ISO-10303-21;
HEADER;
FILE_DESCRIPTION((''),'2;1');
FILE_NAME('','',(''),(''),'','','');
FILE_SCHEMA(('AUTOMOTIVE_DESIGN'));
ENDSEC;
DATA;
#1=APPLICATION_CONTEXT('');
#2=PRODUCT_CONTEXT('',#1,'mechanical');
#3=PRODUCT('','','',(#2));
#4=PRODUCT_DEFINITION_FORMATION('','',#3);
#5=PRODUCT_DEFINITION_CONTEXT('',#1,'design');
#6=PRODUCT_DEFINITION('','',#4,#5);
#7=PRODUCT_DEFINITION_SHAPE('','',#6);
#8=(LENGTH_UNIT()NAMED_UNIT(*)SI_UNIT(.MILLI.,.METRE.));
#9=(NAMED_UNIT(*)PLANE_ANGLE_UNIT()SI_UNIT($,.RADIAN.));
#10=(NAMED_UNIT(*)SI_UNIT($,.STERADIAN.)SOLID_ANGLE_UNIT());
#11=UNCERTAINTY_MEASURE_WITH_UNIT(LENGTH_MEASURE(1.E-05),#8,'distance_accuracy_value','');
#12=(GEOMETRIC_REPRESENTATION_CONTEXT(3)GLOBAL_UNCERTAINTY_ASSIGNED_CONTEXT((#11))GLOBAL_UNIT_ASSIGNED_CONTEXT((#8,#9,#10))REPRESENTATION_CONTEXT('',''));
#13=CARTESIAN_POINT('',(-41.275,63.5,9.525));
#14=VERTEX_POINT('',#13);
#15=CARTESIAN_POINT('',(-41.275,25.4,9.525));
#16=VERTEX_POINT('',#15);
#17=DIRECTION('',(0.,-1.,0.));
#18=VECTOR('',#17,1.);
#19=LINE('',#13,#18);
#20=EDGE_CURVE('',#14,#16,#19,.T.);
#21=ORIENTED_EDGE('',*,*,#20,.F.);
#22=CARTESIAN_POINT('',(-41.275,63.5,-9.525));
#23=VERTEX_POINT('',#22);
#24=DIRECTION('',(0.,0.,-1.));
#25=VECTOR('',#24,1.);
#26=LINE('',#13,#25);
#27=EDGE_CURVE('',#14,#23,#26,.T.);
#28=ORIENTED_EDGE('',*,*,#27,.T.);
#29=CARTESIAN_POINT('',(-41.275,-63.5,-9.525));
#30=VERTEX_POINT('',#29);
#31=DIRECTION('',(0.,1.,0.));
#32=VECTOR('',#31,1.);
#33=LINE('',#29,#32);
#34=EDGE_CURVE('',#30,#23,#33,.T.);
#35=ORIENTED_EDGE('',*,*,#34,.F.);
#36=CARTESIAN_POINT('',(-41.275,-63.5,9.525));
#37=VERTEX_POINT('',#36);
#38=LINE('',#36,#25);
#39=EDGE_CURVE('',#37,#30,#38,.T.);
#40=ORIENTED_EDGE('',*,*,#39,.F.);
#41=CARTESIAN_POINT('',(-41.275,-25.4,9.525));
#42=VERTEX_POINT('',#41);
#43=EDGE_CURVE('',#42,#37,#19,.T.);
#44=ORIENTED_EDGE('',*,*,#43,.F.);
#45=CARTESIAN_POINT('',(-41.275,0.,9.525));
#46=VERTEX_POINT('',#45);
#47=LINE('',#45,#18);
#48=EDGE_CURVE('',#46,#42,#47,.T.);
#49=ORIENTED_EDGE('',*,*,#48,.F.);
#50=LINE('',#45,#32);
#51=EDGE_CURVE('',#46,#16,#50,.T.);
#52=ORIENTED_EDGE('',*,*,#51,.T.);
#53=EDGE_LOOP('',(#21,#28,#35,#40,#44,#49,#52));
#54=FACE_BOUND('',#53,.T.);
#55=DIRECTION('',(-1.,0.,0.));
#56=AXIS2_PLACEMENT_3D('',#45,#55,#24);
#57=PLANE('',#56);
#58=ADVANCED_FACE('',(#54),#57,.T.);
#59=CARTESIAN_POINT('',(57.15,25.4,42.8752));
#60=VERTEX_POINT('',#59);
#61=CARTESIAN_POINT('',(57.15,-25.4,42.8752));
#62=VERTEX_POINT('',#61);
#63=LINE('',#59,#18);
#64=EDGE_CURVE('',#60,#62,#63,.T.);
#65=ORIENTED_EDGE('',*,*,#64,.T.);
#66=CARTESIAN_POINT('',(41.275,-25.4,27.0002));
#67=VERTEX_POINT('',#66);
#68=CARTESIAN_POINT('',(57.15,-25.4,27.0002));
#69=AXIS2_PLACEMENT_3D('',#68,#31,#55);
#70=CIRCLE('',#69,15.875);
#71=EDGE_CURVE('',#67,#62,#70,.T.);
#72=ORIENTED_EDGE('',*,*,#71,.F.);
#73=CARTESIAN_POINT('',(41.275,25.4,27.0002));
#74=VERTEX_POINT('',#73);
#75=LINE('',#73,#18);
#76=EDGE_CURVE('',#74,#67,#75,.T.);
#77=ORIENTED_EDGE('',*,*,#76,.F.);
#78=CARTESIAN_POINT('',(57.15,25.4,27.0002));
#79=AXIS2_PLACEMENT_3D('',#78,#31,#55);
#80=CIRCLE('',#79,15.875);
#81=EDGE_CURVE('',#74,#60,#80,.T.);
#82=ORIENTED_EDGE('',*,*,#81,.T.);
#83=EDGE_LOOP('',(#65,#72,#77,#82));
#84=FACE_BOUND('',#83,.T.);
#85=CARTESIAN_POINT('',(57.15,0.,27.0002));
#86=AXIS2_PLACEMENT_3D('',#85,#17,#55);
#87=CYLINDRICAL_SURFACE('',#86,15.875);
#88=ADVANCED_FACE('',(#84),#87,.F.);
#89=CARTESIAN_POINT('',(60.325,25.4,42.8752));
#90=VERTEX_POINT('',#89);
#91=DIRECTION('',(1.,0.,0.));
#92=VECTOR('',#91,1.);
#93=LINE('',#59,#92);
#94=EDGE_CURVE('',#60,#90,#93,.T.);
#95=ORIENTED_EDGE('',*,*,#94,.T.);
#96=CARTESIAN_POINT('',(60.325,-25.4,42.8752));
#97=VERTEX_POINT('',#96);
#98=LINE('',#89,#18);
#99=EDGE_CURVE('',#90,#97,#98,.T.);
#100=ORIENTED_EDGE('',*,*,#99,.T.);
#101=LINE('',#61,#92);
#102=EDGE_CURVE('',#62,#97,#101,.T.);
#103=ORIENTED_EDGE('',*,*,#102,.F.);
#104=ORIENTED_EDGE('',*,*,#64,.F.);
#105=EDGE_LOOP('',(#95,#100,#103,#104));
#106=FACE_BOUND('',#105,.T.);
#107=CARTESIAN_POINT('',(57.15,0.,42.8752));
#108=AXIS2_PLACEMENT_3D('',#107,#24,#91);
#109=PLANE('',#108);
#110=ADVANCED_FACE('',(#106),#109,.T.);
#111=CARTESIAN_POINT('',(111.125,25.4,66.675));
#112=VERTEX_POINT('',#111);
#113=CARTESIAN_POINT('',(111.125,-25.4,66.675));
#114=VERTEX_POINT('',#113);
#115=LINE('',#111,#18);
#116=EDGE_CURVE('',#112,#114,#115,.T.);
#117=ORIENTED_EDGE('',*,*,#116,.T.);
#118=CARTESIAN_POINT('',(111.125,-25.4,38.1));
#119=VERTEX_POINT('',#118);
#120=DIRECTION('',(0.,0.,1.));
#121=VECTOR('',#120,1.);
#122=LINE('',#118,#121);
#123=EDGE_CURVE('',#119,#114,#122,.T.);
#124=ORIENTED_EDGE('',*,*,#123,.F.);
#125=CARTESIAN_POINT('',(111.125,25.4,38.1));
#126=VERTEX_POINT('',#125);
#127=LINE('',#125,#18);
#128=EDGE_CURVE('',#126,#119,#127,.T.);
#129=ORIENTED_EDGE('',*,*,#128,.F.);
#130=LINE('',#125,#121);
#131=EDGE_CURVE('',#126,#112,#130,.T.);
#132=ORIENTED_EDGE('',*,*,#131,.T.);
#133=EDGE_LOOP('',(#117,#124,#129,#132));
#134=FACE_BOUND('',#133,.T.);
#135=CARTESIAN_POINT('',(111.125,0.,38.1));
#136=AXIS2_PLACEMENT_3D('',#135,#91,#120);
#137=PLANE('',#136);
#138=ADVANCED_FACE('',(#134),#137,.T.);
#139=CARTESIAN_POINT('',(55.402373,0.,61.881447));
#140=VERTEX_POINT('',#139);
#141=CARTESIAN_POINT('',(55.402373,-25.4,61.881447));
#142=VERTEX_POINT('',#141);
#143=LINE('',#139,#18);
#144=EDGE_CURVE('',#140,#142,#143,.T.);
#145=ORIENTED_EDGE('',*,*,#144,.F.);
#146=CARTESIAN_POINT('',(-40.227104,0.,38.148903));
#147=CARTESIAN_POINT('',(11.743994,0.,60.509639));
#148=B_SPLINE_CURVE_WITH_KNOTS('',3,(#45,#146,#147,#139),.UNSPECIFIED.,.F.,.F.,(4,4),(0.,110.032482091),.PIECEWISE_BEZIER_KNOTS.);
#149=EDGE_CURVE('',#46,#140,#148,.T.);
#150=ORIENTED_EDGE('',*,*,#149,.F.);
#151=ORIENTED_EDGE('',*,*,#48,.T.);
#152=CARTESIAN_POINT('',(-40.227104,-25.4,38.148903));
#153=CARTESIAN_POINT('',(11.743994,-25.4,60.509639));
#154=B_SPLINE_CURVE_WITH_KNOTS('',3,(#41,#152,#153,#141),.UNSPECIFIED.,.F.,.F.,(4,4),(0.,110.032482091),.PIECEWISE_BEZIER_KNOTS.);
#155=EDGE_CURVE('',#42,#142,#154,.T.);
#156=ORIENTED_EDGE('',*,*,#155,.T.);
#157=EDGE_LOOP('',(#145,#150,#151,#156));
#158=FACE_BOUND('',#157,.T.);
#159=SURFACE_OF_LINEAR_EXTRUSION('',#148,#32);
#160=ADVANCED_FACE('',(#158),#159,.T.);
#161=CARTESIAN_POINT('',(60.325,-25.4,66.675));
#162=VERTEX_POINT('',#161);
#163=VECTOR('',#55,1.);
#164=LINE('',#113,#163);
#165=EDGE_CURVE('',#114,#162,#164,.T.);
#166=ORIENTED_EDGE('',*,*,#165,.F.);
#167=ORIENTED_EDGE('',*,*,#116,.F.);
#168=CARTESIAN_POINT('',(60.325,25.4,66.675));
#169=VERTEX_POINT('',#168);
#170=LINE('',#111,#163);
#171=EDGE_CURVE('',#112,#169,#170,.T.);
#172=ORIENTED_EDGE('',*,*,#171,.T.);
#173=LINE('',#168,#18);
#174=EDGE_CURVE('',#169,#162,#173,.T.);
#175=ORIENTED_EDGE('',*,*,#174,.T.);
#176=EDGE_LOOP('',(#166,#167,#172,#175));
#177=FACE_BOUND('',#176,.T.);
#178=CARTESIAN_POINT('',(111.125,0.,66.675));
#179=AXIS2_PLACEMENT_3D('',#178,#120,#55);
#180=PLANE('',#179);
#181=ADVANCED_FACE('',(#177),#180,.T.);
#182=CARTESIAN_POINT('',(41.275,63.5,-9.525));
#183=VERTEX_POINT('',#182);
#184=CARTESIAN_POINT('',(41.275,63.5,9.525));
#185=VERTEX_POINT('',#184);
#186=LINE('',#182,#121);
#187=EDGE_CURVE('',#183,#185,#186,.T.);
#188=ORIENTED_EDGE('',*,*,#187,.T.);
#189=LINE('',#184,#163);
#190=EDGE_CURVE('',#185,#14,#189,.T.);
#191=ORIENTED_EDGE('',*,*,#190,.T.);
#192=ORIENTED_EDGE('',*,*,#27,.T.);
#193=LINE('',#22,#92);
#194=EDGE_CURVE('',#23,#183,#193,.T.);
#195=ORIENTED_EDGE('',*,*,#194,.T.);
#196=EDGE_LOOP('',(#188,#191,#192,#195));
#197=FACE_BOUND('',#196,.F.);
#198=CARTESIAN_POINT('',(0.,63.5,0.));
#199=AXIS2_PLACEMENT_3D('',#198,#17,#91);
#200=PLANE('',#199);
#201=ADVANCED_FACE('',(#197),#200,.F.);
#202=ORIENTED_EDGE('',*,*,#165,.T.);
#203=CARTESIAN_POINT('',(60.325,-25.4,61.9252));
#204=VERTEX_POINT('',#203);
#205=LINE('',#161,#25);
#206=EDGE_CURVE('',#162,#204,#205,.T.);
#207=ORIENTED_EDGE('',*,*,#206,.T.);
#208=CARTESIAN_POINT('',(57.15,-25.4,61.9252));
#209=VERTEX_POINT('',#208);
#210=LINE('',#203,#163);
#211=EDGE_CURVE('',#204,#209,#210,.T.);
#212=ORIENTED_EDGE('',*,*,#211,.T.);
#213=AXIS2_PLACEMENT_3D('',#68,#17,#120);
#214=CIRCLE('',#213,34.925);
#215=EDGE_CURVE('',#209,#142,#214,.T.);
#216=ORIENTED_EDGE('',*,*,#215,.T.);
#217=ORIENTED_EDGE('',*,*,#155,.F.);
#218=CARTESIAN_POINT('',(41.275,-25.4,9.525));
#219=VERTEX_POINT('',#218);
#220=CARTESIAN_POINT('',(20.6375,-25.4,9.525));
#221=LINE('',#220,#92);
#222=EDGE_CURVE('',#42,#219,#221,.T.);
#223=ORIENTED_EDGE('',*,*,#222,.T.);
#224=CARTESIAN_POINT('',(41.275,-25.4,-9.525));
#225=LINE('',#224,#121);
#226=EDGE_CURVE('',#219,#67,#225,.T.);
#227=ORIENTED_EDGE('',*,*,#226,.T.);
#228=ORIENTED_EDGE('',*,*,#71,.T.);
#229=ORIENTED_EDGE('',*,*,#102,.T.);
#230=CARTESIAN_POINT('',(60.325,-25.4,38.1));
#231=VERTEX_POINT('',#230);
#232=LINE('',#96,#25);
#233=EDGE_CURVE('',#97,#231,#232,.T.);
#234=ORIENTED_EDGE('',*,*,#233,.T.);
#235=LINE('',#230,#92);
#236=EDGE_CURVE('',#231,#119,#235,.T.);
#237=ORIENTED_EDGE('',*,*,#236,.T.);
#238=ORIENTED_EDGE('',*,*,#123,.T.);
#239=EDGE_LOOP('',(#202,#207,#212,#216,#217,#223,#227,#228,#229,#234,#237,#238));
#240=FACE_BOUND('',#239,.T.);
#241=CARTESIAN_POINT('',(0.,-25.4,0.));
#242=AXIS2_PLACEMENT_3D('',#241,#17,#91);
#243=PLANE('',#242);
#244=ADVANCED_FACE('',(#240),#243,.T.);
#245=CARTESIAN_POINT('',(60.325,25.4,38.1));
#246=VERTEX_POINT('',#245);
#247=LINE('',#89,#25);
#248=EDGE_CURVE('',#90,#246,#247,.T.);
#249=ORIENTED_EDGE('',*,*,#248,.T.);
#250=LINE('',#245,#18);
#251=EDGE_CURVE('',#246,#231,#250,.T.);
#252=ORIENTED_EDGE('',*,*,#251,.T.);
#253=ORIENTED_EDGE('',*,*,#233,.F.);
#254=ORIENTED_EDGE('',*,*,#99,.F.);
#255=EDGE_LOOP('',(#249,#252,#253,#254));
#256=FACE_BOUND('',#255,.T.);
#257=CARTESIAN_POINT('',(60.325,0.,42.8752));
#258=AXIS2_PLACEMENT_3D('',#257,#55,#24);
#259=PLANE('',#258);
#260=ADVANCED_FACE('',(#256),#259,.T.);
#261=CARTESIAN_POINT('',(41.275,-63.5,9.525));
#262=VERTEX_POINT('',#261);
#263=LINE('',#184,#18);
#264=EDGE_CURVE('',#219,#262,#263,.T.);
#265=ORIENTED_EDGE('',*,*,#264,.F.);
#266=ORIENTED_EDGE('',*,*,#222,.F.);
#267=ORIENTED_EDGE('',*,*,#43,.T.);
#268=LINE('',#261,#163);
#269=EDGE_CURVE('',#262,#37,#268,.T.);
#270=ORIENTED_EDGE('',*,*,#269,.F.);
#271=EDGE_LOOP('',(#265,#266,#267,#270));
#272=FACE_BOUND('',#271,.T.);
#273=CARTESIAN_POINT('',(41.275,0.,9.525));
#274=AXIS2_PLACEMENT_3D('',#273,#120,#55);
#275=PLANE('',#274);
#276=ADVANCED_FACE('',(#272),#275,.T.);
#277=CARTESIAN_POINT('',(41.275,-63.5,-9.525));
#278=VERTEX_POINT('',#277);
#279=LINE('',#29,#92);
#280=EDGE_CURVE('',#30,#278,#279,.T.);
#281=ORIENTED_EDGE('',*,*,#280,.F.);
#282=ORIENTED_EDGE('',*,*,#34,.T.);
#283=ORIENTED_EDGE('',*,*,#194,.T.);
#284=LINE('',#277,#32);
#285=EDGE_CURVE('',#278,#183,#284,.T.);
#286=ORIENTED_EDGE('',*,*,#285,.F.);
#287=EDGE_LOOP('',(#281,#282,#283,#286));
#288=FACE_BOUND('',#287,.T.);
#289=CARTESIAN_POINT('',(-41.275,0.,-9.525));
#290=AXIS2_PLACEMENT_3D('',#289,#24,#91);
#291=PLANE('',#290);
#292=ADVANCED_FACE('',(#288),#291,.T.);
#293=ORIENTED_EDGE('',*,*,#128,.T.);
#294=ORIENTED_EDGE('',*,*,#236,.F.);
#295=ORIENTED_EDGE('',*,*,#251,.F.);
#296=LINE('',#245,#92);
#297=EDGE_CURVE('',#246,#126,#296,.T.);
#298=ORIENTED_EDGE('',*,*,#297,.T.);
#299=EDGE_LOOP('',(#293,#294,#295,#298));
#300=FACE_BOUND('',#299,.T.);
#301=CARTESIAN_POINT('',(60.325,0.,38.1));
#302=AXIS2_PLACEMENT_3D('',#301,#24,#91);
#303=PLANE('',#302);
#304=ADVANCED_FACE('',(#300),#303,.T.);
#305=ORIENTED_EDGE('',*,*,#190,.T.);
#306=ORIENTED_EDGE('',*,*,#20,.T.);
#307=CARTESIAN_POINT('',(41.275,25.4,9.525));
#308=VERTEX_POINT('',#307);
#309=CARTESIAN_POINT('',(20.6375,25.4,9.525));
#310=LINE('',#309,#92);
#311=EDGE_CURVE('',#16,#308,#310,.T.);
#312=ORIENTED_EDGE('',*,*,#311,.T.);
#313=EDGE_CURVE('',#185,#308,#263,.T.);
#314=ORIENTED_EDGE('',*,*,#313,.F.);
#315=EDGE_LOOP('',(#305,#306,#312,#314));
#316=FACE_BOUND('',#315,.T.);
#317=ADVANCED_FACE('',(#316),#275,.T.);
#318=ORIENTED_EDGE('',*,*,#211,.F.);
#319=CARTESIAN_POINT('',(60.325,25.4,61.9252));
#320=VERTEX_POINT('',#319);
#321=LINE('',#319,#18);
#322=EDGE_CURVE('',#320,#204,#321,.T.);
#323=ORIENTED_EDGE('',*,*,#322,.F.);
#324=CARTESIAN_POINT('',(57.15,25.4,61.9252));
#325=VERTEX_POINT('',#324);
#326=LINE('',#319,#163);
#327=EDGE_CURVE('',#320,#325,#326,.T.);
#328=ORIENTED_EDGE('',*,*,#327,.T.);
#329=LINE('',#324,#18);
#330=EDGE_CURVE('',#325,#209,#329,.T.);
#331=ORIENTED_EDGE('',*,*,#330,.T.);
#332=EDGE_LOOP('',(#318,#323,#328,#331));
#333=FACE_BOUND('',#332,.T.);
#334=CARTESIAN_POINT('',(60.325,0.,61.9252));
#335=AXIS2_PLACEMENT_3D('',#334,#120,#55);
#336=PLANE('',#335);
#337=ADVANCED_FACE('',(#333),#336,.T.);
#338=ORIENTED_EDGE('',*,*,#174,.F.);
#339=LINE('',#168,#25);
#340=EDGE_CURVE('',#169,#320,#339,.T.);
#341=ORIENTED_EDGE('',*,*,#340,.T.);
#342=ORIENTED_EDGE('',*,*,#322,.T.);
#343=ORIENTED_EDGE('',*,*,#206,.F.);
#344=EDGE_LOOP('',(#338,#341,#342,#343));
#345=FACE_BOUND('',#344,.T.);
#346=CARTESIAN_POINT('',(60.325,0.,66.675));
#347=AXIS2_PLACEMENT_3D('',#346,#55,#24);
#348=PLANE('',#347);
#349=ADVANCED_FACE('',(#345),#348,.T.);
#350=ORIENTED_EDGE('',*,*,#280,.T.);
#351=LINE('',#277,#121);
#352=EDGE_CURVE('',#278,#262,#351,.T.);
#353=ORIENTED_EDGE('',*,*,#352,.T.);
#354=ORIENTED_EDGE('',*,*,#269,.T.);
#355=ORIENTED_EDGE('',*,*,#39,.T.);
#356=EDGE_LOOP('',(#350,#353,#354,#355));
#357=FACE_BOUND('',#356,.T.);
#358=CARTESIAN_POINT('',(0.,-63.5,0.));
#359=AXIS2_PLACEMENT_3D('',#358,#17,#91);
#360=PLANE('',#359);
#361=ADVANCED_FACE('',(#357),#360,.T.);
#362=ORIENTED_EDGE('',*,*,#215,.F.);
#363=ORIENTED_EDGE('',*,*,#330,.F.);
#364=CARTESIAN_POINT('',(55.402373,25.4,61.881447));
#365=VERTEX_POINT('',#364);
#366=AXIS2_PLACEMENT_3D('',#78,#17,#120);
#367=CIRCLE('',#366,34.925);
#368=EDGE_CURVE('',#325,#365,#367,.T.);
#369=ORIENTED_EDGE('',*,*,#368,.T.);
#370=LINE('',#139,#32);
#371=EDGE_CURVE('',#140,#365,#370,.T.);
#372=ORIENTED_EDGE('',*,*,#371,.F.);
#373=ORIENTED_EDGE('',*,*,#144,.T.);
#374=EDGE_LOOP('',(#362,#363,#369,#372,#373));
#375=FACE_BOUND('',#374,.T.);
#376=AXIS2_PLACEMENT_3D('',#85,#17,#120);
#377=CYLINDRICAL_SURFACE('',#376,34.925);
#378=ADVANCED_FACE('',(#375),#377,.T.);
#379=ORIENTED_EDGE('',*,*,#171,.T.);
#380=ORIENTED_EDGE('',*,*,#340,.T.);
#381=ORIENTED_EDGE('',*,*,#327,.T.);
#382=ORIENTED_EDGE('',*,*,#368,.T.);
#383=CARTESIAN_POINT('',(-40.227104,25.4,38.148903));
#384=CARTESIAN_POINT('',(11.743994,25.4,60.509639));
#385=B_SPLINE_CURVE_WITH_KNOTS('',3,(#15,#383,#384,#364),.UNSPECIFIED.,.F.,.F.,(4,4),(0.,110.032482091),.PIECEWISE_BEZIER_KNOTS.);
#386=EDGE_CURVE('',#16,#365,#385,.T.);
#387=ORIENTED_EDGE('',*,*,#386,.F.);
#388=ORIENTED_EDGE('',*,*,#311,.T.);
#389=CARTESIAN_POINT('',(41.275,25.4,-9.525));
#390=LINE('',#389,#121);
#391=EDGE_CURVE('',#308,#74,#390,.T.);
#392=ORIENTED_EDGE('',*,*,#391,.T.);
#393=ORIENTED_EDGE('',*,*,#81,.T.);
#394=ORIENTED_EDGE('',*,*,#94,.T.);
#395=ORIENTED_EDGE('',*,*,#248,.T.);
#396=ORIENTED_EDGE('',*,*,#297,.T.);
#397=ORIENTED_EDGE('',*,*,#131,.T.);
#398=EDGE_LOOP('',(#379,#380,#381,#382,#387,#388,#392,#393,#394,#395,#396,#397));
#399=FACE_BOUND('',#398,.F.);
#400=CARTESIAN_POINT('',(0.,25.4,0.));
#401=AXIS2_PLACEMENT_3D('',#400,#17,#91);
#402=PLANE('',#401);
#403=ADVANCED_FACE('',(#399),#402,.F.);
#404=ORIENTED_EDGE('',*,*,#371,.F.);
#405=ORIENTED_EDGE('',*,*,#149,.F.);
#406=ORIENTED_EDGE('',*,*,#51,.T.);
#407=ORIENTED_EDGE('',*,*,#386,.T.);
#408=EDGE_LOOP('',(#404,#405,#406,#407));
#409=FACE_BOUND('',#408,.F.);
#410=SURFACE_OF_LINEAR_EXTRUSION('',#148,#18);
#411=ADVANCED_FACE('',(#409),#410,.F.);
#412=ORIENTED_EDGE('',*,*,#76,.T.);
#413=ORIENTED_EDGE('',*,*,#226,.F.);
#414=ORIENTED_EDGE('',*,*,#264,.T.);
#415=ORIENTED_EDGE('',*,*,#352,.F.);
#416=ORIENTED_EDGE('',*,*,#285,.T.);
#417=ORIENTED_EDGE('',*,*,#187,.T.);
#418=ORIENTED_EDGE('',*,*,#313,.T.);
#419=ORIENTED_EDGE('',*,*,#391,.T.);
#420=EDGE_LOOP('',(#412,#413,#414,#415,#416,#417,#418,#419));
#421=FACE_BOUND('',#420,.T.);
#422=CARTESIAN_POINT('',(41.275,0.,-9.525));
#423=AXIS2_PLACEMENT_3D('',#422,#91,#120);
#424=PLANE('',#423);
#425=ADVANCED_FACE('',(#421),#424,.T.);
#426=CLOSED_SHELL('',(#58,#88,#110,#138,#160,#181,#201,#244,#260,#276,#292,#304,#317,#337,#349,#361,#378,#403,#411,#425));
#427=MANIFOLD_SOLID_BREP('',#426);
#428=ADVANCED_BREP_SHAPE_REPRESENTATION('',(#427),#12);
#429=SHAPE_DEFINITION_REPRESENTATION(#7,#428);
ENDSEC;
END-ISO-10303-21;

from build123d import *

# Parameters (mm, degrees)
F1_DEPTH = 63.5
F2_DEPTH = 25.4


with BuildPart() as f1:
    # F0 (on Front) → F1 (new body, symmetric)
    with BuildSketch(Plane.XZ):
        Polygon((41.275, -9.525), (41.275, 9.525), (22.225, 9.525), (-41.275, 9.525), (-41.275, -9.525), align=None)
    extrude(amount=F1_DEPTH, both=True)

    # F0 (on Front) → F2 (join, symmetric)
    with BuildSketch(Plane.XZ):
        Polygon((41.275, -9.525), (41.275, 9.525), (22.225, 9.525), (-41.275, 9.525), (-41.275, -9.525), align=None)
        with BuildLine():
            Line((22.225, 9.525), (41.275, 9.525))
            Line((41.275, 9.525), (41.275, 27.0002))
            ThreePointArc((41.275, 27.0002), (45.9246798487, 38.2255201513), (57.15, 42.8752))
            Line((57.15, 42.8752), (60.325, 42.8752))
            Line((60.325, 42.8752), (60.325, 61.9252))
            Line((60.325, 61.9252), (57.15, 61.9252))
            add(Edge.make_bspline(
                [(55.4023728555, 61.88144746), (55.986450331, 61.8998000023), (56.5690399919, 61.9143959357), (57.15, 61.9252)],
                knots=[110.0324820913, 110.0324820913, 110.0324820913, 110.0324820913, 111.5045361635, 111.5045361635, 111.5045361635, 111.5045361635], degree=3))
            ThreePointArc((55.4023728555, 61.88144746), (31.8439582014, 51.0700955853), (22.225, 27.0002))
            Line((22.225, 27.0002), (22.225, 9.525))
        make_face()
        with BuildLine():
            Line((-41.275, 9.525), (22.225, 9.525))
            Line((22.225, 9.525), (22.225, 27.0002))
            ThreePointArc((22.225, 27.0002), (31.8439582014, 51.0700955853), (55.4023728555, 61.88144746))
            add(Edge.make_bspline(
                [(-41.275, 9.525), (-40.2271035766, 38.1489025525), (11.7439940144, 60.5096393046), (55.4023728555, 61.88144746)],
                knots=[0, 0, 0, 0, 110.0324820913, 110.0324820913, 110.0324820913, 110.0324820913], degree=3))
        make_face()
        with BuildLine():
            ThreePointArc((57.15, 61.9252), (56.2759126301, 61.9142601516), (55.4023728555, 61.88144746))
            add(Edge.make_bspline(
                [(55.4023728555, 61.88144746), (55.986450331, 61.8998000023), (56.5690399919, 61.9143959357), (57.15, 61.9252)],
                knots=[110.0324820913, 110.0324820913, 110.0324820913, 110.0324820913, 111.5045361635, 111.5045361635, 111.5045361635, 111.5045361635], degree=3))
        make_face()
        Polygon((85.7319235802, 42.8752), (60.325, 42.8752), (60.325, 38.1), (111.125, 38.1), (111.125, 66.675), (60.325, 66.675), (60.325, 61.9252), (85.2659866214, 61.9252), align=None)
        Polygon((60.325, 61.9252), (60.325, 42.8752), (85.7319235802, 42.8752), (85.2659866214, 61.9252), align=None)
    extrude(amount=F2_DEPTH, both=True)


solid = f1.part
